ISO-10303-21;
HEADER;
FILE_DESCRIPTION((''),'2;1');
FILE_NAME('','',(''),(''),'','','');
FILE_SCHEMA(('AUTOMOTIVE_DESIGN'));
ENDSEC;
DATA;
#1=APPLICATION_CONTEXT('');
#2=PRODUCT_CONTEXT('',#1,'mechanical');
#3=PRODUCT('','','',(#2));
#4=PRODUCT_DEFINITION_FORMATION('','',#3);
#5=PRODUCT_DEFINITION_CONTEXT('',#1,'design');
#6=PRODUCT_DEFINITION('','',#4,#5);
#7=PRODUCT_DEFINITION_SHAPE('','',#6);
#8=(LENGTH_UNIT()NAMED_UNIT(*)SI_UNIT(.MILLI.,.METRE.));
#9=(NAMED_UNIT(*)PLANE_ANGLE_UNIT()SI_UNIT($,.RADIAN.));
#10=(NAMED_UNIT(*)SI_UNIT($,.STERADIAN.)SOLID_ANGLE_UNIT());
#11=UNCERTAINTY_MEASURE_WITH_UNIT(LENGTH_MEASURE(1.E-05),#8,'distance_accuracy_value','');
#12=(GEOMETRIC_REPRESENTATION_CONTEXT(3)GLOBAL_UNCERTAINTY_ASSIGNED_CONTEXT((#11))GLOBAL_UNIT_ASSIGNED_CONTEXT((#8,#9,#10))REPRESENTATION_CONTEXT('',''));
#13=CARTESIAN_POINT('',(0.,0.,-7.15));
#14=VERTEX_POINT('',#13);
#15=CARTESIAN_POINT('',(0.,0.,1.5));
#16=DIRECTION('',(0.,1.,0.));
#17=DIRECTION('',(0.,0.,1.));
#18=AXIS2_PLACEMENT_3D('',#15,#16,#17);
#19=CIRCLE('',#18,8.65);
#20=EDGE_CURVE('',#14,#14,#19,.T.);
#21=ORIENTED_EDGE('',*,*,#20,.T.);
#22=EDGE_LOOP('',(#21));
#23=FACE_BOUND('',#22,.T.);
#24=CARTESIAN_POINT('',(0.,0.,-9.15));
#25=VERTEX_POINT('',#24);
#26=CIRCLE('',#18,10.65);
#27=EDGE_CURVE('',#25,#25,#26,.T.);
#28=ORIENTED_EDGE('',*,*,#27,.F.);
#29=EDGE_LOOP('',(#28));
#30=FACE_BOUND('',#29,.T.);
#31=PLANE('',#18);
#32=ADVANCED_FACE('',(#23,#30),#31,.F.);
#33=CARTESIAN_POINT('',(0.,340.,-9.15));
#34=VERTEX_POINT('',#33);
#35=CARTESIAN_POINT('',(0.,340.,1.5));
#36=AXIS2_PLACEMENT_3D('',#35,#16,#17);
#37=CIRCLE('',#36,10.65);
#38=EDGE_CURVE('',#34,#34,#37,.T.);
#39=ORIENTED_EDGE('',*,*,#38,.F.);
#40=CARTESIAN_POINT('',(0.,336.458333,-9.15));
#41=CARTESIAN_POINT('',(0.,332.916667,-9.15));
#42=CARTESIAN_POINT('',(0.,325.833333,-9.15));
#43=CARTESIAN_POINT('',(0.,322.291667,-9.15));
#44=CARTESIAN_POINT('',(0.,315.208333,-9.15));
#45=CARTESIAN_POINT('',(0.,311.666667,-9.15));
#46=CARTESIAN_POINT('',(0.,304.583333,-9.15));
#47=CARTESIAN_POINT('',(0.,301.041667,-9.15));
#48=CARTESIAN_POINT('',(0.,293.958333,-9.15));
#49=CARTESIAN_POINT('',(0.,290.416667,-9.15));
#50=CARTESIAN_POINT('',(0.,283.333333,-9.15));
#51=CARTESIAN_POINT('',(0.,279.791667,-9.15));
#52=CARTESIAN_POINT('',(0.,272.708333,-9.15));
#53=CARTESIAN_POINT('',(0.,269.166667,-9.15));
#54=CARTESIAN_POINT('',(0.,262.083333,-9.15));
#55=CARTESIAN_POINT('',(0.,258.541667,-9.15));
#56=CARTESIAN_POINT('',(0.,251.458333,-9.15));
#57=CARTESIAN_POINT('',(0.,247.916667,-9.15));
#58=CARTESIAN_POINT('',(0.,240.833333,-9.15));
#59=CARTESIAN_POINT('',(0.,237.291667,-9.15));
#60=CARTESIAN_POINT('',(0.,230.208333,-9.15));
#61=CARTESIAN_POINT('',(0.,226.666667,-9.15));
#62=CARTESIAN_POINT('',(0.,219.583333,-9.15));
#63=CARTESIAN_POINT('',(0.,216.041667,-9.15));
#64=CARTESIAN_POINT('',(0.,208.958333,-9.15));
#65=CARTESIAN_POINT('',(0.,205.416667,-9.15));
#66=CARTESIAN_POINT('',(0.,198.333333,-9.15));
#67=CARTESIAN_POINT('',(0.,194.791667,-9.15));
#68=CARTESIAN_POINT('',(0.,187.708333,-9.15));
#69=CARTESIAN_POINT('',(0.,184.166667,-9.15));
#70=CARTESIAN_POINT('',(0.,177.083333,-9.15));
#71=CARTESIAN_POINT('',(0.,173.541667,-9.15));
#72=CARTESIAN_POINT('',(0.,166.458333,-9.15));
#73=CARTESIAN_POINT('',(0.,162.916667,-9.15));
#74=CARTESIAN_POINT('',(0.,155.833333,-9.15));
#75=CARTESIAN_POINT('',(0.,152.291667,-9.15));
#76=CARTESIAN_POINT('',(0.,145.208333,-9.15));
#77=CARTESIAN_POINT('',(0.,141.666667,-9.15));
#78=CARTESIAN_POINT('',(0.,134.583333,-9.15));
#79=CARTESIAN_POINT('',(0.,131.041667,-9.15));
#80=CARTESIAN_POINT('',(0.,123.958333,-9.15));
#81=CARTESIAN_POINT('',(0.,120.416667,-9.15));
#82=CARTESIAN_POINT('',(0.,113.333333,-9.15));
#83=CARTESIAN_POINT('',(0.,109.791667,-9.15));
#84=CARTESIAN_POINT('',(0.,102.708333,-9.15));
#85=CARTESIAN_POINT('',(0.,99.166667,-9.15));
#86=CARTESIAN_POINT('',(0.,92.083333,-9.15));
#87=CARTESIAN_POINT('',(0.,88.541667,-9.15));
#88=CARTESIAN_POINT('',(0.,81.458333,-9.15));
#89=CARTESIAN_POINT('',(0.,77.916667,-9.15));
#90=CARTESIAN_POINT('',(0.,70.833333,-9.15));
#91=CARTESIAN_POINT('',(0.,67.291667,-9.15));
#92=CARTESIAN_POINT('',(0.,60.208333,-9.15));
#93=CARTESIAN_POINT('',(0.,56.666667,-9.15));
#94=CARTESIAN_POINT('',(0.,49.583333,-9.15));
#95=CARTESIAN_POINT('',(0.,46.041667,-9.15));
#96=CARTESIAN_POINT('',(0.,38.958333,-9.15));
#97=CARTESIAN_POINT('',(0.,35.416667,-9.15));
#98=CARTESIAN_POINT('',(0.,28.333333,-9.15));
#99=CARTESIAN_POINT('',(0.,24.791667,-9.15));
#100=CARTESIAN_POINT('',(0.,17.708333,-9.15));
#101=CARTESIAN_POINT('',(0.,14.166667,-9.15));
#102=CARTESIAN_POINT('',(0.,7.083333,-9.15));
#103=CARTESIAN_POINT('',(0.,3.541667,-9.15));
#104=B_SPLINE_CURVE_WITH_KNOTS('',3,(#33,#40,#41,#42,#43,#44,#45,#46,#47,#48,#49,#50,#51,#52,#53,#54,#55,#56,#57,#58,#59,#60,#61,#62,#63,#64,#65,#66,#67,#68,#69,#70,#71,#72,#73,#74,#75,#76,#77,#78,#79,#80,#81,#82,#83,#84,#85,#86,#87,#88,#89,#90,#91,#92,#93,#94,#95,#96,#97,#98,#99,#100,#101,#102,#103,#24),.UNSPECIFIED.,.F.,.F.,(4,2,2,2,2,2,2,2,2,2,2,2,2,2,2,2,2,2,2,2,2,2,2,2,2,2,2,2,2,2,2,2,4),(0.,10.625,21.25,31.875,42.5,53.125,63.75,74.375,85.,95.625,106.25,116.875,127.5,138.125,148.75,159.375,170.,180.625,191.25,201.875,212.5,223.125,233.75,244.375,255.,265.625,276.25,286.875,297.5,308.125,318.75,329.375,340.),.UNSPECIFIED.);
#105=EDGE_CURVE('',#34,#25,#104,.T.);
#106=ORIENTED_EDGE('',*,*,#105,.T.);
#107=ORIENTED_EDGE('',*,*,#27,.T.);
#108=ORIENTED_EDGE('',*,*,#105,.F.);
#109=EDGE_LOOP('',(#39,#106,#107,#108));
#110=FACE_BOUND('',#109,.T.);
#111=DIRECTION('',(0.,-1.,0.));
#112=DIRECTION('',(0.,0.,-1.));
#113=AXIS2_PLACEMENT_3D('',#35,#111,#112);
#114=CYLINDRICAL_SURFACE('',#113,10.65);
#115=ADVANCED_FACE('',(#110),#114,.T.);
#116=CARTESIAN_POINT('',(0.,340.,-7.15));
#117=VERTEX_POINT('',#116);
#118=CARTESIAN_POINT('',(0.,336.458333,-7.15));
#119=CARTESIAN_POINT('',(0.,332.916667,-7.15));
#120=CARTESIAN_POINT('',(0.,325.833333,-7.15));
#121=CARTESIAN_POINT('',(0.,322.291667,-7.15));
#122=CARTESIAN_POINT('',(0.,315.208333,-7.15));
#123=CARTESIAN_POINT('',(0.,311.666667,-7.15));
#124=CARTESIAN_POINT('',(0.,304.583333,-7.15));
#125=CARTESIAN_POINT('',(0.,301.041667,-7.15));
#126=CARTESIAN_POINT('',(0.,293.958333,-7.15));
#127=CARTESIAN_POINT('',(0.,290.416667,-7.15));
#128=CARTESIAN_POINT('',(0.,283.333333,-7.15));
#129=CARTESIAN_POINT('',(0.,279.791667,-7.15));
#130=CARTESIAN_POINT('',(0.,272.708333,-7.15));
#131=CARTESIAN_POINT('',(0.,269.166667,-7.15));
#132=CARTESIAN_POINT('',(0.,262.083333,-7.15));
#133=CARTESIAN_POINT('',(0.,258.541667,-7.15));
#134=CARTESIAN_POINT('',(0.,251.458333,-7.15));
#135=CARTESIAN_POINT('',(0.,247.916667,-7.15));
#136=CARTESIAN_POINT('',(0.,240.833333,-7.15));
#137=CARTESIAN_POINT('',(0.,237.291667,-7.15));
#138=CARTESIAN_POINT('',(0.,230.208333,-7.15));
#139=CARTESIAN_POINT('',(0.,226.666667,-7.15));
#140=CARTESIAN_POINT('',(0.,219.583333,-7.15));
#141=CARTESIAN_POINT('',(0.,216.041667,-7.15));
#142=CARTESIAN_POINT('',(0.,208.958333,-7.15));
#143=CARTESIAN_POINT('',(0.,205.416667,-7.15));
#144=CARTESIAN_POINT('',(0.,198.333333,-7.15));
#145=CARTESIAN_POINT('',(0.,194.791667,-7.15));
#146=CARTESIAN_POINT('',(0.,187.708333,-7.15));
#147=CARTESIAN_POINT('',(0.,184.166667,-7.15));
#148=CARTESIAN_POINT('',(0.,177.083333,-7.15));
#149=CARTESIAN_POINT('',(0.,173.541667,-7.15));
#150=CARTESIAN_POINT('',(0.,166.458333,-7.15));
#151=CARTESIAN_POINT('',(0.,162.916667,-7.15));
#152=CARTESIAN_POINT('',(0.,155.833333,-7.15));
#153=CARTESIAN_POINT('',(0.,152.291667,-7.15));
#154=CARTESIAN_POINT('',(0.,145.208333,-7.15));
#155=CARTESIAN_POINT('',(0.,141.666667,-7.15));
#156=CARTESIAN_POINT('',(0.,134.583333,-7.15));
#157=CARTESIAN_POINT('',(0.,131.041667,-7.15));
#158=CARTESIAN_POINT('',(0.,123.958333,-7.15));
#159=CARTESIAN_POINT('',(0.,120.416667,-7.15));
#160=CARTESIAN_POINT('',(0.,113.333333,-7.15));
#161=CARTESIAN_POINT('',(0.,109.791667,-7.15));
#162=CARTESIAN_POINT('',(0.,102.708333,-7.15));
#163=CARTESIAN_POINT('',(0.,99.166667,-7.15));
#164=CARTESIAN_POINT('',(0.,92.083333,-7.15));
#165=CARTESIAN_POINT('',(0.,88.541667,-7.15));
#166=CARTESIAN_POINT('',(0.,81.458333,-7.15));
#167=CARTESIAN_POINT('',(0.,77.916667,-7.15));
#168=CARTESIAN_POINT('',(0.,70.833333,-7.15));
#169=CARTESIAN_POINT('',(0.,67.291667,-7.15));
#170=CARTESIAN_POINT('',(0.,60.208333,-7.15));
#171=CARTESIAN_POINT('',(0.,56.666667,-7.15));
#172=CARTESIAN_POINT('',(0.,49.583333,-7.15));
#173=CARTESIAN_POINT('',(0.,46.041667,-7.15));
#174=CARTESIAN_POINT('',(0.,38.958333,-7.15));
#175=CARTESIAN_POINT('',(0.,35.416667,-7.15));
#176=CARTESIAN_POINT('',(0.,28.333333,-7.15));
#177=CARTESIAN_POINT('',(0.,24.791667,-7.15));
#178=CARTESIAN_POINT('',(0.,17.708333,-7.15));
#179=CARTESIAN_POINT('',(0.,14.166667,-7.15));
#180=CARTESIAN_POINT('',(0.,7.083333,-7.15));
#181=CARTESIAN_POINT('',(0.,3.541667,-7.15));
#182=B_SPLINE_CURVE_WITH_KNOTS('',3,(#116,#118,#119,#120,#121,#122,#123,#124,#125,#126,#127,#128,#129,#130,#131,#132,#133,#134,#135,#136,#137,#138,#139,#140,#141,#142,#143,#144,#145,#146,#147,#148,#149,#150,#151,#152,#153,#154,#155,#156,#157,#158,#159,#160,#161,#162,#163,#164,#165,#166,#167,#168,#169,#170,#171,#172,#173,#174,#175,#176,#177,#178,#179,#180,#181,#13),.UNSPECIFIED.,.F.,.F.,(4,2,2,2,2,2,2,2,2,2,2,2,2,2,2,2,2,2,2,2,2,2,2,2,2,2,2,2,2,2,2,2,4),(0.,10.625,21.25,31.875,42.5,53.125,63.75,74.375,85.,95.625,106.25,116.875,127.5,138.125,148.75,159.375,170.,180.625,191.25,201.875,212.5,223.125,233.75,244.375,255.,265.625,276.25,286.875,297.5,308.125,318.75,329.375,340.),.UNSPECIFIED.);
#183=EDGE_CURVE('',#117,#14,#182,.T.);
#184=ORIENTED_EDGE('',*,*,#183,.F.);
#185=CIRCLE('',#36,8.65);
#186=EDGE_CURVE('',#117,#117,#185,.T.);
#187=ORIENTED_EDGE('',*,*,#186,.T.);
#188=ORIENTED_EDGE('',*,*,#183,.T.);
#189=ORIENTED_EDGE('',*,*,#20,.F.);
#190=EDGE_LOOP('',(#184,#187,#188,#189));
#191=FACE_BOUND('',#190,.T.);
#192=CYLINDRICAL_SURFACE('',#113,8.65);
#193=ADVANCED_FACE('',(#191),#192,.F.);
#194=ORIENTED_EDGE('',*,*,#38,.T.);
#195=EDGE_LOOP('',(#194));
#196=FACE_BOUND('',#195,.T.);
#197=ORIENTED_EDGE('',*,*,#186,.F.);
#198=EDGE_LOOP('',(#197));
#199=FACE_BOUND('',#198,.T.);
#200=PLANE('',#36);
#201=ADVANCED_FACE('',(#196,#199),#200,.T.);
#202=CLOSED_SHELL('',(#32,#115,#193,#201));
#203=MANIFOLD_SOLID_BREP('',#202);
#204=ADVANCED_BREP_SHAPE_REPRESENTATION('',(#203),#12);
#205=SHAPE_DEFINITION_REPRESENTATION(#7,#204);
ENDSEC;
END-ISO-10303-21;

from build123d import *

# Parameters (mm, degrees)
SKETCH_1_R      = 10.65
SKETCH_1_R_2    = 8.65
EXTRUDE_1_DEPTH = 340


with BuildPart() as part:
    # Эскиз1 → Бобышка-Вытянуть1 (new body)
    with BuildSketch(Plane(origin=(0, 0, 0), x_dir=(1, 0, 0), z_dir=(0, 1, 0))):
        with Locations(Location((0, -1.5, 0), (0, 0, 90))):
            Circle(SKETCH_1_R)
        with Locations(Location((0, -1.5, 0), (0, 0, 90))):
            Circle(SKETCH_1_R_2, mode=Mode.SUBTRACT)
    extrude(amount=EXTRUDE_1_DEPTH)


solid = part.part
